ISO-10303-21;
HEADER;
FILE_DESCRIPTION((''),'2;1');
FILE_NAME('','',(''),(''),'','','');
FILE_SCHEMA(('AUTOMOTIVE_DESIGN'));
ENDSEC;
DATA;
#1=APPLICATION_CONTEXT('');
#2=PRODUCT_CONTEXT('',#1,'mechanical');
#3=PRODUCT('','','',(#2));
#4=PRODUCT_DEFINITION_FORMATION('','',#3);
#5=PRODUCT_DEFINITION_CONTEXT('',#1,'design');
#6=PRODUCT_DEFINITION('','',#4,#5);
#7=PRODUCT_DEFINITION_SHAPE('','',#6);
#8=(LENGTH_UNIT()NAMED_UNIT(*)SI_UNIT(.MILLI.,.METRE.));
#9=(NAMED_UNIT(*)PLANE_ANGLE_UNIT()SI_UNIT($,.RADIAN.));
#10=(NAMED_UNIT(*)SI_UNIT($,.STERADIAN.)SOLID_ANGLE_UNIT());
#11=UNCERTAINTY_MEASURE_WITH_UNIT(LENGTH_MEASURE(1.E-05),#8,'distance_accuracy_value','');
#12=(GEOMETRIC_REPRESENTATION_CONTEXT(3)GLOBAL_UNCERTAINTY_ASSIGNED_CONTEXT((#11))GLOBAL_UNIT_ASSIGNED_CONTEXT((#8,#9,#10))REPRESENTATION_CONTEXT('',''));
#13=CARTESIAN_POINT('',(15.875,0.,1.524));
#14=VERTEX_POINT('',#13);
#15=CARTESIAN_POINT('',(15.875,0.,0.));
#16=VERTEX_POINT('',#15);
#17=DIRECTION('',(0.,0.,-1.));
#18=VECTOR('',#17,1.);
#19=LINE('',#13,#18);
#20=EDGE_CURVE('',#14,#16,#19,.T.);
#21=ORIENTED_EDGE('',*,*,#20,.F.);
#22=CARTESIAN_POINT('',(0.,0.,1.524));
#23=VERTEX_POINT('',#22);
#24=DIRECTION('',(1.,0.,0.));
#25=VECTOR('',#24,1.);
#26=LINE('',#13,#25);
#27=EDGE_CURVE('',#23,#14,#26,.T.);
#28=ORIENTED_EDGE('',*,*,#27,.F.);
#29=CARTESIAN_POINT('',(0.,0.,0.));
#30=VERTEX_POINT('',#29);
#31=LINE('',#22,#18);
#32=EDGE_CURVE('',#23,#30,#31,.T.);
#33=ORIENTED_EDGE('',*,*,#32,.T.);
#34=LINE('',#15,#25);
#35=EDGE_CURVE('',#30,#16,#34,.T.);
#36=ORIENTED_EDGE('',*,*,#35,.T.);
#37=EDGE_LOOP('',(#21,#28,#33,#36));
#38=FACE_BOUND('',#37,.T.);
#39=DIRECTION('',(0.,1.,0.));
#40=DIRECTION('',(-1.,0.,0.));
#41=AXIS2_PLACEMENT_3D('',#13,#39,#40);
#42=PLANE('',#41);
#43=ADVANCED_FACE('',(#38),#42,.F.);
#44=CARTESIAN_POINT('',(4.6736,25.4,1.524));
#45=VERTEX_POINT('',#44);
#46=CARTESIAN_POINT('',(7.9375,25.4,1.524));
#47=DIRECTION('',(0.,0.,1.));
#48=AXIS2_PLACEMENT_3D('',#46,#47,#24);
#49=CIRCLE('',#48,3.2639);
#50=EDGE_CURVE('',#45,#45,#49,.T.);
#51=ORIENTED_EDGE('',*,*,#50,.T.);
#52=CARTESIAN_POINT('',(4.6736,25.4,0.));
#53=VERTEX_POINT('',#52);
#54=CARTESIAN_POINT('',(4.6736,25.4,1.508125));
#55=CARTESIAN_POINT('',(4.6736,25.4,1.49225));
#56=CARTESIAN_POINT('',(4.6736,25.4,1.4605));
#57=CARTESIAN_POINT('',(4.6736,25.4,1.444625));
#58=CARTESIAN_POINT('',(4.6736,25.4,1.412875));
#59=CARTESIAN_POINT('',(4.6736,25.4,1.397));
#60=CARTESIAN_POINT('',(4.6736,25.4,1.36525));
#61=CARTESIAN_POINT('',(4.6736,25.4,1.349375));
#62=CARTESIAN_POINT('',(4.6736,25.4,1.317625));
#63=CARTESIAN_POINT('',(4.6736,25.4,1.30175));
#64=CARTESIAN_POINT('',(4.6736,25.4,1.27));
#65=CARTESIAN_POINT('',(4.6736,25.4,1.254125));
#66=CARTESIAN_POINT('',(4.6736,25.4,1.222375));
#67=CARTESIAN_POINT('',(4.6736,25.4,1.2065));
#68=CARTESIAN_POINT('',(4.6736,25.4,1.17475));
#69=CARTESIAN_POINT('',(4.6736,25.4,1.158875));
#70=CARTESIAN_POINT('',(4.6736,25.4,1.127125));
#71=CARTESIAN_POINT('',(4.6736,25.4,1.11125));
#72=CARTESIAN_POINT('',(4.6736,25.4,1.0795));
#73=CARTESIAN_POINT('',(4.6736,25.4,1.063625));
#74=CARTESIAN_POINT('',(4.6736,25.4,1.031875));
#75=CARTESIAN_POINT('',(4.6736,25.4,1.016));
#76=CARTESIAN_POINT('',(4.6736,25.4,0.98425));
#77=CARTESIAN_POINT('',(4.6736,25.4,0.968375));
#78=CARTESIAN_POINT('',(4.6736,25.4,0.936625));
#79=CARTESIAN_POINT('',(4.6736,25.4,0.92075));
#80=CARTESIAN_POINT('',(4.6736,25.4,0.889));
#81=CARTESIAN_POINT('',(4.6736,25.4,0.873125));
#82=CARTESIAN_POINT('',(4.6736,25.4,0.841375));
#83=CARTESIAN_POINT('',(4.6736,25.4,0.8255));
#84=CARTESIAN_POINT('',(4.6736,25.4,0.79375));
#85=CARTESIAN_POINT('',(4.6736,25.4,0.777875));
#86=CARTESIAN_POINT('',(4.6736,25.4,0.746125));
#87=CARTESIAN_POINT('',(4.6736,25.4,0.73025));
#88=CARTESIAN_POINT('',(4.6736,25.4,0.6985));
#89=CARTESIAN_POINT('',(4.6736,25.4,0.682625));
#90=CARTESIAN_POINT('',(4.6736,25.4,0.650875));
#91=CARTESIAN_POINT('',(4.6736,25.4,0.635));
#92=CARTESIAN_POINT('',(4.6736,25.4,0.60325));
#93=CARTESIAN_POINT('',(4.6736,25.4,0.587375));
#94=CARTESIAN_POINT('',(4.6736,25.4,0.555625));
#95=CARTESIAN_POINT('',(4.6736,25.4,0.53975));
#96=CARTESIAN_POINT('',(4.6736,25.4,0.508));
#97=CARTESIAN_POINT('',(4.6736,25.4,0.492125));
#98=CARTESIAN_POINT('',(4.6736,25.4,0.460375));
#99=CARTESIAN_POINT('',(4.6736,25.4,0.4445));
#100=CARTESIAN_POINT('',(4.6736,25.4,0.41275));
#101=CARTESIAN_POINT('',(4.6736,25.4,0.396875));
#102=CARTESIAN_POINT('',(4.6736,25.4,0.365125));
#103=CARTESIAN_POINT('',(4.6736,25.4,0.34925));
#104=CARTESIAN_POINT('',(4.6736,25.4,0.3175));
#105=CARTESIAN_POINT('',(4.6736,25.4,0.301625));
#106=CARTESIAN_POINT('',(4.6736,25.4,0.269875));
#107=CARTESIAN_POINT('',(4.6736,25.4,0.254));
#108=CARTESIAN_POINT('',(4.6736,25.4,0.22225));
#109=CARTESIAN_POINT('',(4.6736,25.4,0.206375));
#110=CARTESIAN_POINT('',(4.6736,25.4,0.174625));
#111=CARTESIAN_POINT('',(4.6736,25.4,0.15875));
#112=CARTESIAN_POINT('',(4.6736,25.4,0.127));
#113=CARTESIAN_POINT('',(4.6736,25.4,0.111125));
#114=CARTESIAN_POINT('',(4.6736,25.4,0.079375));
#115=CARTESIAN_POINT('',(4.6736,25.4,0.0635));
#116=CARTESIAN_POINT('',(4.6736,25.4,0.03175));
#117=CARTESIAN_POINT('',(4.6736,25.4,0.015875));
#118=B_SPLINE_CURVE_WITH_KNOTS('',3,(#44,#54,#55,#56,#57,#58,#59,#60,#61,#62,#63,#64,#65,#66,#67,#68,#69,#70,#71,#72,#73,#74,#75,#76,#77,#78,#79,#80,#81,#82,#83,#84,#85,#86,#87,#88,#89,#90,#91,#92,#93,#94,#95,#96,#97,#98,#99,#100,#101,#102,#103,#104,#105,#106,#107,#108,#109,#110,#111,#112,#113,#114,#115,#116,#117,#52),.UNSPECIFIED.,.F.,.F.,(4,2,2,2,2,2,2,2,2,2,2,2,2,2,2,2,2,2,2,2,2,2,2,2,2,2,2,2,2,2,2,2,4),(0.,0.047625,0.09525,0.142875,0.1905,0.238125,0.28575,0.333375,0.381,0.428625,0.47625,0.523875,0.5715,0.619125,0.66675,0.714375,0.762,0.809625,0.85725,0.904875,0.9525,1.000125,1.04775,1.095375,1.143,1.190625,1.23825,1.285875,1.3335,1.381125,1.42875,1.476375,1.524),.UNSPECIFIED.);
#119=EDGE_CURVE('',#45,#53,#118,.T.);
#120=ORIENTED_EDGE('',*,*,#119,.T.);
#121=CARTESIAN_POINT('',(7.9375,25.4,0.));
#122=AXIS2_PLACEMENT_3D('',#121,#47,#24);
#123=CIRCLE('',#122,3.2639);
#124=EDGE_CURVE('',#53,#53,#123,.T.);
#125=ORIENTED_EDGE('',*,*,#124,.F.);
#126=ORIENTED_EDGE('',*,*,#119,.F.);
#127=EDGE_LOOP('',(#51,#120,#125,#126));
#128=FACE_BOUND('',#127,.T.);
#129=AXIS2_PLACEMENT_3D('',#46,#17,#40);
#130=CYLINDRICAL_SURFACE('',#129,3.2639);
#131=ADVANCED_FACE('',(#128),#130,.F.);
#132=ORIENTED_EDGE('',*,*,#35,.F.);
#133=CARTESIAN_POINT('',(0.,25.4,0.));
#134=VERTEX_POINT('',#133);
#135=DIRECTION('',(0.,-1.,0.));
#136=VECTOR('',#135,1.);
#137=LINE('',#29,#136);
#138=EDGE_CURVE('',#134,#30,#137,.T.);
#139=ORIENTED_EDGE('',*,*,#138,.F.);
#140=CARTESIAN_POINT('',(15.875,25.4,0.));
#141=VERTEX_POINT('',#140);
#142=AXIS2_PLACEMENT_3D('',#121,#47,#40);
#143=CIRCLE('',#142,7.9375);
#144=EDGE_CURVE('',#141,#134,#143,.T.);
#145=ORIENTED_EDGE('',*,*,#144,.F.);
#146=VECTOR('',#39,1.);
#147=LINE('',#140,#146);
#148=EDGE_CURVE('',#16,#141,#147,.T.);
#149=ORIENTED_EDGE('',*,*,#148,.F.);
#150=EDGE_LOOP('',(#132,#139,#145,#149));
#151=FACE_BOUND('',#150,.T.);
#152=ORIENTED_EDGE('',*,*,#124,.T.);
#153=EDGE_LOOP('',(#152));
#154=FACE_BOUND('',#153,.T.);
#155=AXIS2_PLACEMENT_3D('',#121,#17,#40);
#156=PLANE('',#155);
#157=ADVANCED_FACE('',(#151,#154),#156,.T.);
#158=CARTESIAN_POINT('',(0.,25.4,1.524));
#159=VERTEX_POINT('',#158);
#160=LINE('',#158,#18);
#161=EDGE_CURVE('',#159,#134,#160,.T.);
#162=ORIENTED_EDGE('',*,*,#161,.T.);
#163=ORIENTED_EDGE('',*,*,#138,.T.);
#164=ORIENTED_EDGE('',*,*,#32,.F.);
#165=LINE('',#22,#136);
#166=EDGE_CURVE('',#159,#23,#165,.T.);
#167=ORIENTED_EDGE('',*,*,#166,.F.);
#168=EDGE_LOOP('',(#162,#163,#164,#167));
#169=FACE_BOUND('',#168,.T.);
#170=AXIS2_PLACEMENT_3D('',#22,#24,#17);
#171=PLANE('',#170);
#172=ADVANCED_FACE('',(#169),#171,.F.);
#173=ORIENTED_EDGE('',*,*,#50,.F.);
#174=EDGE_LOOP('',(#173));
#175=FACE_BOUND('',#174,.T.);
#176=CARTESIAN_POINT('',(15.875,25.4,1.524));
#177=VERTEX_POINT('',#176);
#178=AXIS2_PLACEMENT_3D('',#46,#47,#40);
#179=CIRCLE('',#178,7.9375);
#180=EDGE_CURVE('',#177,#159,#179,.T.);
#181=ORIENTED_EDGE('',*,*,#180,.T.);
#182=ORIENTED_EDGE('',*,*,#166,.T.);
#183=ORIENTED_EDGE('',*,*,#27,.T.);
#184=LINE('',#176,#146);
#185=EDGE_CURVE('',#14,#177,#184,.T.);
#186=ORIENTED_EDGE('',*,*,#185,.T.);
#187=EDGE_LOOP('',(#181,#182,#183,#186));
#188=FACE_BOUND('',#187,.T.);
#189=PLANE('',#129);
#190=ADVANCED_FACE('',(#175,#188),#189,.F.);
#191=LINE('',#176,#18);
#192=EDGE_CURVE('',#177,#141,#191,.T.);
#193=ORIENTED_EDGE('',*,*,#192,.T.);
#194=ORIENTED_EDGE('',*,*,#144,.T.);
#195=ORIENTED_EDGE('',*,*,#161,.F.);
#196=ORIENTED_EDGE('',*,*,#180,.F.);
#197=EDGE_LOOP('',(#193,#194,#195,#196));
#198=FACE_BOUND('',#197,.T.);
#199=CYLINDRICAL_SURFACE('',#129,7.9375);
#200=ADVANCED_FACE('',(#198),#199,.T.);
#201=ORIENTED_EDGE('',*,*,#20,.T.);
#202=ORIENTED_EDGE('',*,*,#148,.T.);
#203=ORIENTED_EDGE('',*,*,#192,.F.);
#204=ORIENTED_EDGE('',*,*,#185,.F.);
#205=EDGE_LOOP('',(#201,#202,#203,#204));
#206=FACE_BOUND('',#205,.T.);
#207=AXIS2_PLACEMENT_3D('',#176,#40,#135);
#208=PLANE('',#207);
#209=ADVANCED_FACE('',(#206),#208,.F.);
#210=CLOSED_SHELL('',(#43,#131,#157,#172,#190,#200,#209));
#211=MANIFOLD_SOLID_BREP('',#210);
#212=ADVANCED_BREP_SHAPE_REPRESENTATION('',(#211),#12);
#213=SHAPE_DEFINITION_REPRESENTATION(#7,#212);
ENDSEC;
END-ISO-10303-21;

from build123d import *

# Parameters (mm, degrees)
SKETCH1_R           = 3.2639
BOSS_EXTRUDE1_DEPTH = 1.524


with BuildPart() as part:
    # Sketch1 → Boss-Extrude1 (new body)
    with BuildSketch(Plane.XY):
        with BuildLine():
            Line((0, 0), (0, 25.4))
            ThreePointArc((0, 25.4), (7.9375, 33.3375), (15.875, 25.4))
            Line((15.875, 25.4), (15.875, 0))
            Line((15.875, 0), (0, 0))
        make_face()
        with Locations(Location((7.9375, 25.4, 0), (0, 0, 180))):
            Circle(SKETCH1_R, mode=Mode.SUBTRACT)
    extrude(amount=BOSS_EXTRUDE1_DEPTH)


solid = part.part
